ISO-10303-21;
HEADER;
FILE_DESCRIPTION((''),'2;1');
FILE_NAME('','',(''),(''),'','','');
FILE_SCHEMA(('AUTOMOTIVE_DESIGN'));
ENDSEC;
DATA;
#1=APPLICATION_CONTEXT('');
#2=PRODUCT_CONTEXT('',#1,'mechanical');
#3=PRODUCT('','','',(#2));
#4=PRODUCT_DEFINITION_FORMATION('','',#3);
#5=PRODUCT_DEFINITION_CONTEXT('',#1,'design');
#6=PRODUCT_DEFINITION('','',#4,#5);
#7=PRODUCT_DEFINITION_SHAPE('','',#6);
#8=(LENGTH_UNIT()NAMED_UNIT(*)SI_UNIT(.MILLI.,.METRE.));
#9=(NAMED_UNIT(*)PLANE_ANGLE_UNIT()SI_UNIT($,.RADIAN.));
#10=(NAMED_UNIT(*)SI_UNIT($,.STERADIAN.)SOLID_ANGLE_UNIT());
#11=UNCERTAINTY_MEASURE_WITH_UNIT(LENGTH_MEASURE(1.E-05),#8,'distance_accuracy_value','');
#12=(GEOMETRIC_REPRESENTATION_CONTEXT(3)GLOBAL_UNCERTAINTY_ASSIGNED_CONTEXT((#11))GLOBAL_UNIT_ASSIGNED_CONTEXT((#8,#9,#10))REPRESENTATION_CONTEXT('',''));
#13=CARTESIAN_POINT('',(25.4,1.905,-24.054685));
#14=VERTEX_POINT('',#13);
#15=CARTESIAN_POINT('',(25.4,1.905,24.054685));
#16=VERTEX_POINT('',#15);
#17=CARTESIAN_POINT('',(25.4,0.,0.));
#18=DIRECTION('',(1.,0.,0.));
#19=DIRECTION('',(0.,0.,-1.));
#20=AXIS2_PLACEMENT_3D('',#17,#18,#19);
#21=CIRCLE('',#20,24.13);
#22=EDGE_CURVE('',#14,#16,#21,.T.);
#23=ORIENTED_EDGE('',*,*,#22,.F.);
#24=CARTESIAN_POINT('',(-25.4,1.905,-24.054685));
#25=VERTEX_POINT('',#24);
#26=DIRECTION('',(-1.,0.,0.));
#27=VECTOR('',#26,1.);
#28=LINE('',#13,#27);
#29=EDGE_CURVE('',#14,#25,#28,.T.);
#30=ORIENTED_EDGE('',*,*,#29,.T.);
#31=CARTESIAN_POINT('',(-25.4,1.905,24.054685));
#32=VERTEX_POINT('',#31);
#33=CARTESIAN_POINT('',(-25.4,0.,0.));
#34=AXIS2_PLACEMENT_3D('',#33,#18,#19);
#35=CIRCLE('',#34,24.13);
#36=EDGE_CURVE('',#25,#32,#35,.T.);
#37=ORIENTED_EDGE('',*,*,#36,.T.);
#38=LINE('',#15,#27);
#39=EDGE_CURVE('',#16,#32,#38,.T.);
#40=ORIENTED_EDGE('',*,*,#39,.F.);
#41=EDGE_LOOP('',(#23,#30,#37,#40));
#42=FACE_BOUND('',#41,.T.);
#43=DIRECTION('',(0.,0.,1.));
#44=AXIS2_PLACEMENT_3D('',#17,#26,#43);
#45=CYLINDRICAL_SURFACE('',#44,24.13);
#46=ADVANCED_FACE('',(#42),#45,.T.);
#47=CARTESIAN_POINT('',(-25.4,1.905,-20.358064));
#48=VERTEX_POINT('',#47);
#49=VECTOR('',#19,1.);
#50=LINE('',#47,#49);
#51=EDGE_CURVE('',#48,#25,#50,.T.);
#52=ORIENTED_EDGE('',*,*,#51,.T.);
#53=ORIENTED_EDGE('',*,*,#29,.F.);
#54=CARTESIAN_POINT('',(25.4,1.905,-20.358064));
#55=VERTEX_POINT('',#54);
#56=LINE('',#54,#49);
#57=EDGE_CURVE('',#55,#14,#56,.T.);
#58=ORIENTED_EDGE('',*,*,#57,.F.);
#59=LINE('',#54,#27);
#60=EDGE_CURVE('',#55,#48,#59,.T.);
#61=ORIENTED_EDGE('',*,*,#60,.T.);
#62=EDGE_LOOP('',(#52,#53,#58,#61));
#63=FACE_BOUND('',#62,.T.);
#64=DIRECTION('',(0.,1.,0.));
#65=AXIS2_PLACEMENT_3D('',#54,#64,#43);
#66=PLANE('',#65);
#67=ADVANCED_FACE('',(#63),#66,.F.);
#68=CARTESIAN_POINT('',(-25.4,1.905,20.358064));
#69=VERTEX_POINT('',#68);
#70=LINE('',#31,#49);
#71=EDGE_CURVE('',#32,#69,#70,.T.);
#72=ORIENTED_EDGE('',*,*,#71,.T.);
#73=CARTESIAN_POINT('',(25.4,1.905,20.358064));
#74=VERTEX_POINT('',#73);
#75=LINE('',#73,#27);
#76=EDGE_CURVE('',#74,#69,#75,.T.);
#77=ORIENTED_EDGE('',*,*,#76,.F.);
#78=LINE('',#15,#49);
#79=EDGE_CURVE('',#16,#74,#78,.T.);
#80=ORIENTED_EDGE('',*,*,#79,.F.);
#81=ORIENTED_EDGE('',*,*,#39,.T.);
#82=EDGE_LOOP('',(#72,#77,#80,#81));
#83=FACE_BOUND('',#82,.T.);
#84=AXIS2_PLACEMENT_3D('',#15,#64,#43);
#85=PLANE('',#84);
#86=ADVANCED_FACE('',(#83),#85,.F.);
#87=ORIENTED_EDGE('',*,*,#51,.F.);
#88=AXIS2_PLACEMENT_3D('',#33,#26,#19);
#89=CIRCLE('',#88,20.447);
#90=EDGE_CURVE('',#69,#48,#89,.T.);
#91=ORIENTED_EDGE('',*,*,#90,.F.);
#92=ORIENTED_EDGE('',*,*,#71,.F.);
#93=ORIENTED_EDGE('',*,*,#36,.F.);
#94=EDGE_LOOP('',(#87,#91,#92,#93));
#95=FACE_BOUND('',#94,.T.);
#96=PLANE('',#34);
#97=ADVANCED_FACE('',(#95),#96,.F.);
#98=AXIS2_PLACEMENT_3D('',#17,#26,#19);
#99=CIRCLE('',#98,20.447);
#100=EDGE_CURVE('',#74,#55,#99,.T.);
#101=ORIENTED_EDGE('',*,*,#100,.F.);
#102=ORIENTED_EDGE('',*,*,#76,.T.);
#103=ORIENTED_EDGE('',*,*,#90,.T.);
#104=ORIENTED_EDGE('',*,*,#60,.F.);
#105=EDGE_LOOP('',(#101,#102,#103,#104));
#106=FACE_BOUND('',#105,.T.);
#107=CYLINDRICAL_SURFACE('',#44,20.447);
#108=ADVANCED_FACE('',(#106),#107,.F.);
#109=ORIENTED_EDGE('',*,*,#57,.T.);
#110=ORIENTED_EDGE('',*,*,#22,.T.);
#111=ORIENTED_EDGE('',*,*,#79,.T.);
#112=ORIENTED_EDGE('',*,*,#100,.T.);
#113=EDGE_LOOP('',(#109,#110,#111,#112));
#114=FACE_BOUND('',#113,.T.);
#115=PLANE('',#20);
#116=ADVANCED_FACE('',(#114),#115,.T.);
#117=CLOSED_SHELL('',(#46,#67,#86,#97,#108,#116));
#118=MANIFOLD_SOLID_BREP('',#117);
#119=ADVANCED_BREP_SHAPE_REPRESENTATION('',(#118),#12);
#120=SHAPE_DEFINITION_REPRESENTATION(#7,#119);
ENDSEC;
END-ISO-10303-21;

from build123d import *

# Parameters (mm, degrees)
BOSS_EXTRUDE1_DEPTH = 25.4


with BuildPart() as part:
    # Sketch1 → Boss-Extrude1 (new, symmetric)
    with BuildSketch(Plane(origin=(0, 0, 0), x_dir=(0, 0, -1), z_dir=(1, 0, 0))):
        with BuildLine():
            Line((-24.054685095, 1.905), (-20.358064348, 1.905))
            ThreePointArc((-20.358064348, 1.905), (0, 20.447), (20.358064348, 1.905))
            Line((20.358064348, 1.905), (24.054685095, 1.905))
            ThreePointArc((24.054685095, 1.905), (0, 24.13), (-24.054685095, 1.905))
        make_face()
    extrude(amount=BOSS_EXTRUDE1_DEPTH, both=True)


solid = part.part
